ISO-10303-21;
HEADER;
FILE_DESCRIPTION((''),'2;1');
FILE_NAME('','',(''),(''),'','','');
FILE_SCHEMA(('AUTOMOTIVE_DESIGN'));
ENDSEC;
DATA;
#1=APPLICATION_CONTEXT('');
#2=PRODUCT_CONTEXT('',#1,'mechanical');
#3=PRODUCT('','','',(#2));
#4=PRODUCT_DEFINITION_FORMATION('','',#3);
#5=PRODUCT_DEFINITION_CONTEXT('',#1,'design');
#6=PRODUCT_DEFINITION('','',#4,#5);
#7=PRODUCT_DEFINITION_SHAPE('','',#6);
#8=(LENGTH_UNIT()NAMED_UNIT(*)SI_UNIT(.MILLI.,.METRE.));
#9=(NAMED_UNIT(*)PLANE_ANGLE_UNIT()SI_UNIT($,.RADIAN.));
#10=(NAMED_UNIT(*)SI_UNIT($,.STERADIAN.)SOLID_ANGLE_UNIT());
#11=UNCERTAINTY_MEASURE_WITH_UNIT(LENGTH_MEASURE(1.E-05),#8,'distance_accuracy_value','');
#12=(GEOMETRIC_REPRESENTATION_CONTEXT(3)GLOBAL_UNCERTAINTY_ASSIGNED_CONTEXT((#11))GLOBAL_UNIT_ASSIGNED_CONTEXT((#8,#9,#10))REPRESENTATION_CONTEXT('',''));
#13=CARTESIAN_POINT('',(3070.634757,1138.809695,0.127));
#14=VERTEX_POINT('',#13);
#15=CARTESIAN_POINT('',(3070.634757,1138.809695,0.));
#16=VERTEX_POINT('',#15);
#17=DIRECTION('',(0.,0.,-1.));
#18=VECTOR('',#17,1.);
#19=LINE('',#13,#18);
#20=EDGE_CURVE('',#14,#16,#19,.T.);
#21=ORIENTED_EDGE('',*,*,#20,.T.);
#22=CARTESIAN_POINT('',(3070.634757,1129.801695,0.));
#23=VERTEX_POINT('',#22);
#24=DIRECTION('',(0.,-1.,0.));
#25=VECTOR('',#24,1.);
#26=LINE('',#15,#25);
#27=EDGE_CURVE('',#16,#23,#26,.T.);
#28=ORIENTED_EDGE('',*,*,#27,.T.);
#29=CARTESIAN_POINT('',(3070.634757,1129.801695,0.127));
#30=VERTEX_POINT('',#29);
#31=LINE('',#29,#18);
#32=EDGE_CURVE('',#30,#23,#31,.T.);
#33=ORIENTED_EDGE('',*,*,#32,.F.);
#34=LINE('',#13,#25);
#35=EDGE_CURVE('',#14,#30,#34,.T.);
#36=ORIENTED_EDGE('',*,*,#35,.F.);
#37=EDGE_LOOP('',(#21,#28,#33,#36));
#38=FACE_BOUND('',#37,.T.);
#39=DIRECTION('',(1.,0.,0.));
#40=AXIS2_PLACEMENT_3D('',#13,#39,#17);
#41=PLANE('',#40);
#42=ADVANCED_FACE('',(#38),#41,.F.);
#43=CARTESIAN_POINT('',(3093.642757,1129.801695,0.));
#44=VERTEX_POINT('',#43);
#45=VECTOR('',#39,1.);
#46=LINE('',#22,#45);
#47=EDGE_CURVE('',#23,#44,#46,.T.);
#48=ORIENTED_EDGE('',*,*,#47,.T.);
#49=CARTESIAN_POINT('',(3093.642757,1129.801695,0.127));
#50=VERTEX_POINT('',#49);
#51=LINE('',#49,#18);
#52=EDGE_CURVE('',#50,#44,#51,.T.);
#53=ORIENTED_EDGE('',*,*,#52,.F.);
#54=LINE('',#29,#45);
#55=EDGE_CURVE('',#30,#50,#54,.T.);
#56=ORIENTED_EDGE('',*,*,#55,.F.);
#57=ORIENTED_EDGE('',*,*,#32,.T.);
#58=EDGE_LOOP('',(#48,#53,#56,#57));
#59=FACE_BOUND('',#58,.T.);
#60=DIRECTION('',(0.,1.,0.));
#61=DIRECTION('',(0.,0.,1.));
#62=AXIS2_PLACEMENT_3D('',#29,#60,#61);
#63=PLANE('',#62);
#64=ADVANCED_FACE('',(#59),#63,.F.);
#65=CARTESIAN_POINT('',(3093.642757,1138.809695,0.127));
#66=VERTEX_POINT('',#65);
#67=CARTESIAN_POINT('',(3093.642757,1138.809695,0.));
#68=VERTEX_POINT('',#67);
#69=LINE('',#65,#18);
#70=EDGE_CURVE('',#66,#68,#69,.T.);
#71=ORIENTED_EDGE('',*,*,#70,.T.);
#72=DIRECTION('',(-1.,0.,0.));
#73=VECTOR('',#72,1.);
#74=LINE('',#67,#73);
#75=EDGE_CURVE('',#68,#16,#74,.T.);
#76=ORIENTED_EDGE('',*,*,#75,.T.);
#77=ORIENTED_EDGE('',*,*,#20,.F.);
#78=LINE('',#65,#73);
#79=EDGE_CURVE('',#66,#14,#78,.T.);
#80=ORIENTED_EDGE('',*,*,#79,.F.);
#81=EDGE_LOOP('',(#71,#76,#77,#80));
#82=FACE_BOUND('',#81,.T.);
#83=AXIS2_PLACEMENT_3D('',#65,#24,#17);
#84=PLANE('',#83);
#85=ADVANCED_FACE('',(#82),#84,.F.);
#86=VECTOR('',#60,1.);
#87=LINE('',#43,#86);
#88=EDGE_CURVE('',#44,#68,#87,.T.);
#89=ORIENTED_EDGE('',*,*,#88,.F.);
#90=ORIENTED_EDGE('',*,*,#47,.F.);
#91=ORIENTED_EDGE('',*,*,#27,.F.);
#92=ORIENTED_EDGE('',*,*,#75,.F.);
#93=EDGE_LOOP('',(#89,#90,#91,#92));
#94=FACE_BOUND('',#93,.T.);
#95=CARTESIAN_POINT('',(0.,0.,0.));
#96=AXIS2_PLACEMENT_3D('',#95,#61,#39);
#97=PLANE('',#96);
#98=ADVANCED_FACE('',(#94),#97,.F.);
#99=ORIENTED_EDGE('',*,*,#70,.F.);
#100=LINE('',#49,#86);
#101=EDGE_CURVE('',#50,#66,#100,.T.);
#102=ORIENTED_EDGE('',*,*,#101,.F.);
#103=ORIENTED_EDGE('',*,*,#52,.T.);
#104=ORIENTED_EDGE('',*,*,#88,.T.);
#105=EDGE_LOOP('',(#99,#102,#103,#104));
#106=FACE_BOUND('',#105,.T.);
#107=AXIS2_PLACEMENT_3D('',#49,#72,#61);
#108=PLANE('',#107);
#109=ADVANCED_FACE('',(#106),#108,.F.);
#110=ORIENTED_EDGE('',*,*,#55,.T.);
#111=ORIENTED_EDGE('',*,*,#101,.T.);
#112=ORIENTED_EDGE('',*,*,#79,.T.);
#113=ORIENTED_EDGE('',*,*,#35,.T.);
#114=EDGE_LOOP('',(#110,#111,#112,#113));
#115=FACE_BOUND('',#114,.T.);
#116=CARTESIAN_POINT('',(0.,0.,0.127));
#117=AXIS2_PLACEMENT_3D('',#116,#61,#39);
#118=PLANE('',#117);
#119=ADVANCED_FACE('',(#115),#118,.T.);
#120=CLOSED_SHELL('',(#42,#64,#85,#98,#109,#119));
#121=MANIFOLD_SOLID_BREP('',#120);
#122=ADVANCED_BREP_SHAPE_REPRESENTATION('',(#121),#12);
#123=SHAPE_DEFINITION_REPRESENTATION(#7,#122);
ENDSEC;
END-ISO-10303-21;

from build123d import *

# Parameters (mm, degrees)
SKETCH1_W           = 23.008
SKETCH1_H           = 9.008
BOSS_EXTRUDE1_DEPTH = 0.127


with BuildPart() as part:
    # Sketch1 → Boss-Extrude1 (new body)
    with BuildSketch(Plane.XY):
        with Locations((3082.138757164, 1134.305694712)):
            Rectangle(SKETCH1_W, SKETCH1_H)
    extrude(amount=BOSS_EXTRUDE1_DEPTH)


solid = part.part
